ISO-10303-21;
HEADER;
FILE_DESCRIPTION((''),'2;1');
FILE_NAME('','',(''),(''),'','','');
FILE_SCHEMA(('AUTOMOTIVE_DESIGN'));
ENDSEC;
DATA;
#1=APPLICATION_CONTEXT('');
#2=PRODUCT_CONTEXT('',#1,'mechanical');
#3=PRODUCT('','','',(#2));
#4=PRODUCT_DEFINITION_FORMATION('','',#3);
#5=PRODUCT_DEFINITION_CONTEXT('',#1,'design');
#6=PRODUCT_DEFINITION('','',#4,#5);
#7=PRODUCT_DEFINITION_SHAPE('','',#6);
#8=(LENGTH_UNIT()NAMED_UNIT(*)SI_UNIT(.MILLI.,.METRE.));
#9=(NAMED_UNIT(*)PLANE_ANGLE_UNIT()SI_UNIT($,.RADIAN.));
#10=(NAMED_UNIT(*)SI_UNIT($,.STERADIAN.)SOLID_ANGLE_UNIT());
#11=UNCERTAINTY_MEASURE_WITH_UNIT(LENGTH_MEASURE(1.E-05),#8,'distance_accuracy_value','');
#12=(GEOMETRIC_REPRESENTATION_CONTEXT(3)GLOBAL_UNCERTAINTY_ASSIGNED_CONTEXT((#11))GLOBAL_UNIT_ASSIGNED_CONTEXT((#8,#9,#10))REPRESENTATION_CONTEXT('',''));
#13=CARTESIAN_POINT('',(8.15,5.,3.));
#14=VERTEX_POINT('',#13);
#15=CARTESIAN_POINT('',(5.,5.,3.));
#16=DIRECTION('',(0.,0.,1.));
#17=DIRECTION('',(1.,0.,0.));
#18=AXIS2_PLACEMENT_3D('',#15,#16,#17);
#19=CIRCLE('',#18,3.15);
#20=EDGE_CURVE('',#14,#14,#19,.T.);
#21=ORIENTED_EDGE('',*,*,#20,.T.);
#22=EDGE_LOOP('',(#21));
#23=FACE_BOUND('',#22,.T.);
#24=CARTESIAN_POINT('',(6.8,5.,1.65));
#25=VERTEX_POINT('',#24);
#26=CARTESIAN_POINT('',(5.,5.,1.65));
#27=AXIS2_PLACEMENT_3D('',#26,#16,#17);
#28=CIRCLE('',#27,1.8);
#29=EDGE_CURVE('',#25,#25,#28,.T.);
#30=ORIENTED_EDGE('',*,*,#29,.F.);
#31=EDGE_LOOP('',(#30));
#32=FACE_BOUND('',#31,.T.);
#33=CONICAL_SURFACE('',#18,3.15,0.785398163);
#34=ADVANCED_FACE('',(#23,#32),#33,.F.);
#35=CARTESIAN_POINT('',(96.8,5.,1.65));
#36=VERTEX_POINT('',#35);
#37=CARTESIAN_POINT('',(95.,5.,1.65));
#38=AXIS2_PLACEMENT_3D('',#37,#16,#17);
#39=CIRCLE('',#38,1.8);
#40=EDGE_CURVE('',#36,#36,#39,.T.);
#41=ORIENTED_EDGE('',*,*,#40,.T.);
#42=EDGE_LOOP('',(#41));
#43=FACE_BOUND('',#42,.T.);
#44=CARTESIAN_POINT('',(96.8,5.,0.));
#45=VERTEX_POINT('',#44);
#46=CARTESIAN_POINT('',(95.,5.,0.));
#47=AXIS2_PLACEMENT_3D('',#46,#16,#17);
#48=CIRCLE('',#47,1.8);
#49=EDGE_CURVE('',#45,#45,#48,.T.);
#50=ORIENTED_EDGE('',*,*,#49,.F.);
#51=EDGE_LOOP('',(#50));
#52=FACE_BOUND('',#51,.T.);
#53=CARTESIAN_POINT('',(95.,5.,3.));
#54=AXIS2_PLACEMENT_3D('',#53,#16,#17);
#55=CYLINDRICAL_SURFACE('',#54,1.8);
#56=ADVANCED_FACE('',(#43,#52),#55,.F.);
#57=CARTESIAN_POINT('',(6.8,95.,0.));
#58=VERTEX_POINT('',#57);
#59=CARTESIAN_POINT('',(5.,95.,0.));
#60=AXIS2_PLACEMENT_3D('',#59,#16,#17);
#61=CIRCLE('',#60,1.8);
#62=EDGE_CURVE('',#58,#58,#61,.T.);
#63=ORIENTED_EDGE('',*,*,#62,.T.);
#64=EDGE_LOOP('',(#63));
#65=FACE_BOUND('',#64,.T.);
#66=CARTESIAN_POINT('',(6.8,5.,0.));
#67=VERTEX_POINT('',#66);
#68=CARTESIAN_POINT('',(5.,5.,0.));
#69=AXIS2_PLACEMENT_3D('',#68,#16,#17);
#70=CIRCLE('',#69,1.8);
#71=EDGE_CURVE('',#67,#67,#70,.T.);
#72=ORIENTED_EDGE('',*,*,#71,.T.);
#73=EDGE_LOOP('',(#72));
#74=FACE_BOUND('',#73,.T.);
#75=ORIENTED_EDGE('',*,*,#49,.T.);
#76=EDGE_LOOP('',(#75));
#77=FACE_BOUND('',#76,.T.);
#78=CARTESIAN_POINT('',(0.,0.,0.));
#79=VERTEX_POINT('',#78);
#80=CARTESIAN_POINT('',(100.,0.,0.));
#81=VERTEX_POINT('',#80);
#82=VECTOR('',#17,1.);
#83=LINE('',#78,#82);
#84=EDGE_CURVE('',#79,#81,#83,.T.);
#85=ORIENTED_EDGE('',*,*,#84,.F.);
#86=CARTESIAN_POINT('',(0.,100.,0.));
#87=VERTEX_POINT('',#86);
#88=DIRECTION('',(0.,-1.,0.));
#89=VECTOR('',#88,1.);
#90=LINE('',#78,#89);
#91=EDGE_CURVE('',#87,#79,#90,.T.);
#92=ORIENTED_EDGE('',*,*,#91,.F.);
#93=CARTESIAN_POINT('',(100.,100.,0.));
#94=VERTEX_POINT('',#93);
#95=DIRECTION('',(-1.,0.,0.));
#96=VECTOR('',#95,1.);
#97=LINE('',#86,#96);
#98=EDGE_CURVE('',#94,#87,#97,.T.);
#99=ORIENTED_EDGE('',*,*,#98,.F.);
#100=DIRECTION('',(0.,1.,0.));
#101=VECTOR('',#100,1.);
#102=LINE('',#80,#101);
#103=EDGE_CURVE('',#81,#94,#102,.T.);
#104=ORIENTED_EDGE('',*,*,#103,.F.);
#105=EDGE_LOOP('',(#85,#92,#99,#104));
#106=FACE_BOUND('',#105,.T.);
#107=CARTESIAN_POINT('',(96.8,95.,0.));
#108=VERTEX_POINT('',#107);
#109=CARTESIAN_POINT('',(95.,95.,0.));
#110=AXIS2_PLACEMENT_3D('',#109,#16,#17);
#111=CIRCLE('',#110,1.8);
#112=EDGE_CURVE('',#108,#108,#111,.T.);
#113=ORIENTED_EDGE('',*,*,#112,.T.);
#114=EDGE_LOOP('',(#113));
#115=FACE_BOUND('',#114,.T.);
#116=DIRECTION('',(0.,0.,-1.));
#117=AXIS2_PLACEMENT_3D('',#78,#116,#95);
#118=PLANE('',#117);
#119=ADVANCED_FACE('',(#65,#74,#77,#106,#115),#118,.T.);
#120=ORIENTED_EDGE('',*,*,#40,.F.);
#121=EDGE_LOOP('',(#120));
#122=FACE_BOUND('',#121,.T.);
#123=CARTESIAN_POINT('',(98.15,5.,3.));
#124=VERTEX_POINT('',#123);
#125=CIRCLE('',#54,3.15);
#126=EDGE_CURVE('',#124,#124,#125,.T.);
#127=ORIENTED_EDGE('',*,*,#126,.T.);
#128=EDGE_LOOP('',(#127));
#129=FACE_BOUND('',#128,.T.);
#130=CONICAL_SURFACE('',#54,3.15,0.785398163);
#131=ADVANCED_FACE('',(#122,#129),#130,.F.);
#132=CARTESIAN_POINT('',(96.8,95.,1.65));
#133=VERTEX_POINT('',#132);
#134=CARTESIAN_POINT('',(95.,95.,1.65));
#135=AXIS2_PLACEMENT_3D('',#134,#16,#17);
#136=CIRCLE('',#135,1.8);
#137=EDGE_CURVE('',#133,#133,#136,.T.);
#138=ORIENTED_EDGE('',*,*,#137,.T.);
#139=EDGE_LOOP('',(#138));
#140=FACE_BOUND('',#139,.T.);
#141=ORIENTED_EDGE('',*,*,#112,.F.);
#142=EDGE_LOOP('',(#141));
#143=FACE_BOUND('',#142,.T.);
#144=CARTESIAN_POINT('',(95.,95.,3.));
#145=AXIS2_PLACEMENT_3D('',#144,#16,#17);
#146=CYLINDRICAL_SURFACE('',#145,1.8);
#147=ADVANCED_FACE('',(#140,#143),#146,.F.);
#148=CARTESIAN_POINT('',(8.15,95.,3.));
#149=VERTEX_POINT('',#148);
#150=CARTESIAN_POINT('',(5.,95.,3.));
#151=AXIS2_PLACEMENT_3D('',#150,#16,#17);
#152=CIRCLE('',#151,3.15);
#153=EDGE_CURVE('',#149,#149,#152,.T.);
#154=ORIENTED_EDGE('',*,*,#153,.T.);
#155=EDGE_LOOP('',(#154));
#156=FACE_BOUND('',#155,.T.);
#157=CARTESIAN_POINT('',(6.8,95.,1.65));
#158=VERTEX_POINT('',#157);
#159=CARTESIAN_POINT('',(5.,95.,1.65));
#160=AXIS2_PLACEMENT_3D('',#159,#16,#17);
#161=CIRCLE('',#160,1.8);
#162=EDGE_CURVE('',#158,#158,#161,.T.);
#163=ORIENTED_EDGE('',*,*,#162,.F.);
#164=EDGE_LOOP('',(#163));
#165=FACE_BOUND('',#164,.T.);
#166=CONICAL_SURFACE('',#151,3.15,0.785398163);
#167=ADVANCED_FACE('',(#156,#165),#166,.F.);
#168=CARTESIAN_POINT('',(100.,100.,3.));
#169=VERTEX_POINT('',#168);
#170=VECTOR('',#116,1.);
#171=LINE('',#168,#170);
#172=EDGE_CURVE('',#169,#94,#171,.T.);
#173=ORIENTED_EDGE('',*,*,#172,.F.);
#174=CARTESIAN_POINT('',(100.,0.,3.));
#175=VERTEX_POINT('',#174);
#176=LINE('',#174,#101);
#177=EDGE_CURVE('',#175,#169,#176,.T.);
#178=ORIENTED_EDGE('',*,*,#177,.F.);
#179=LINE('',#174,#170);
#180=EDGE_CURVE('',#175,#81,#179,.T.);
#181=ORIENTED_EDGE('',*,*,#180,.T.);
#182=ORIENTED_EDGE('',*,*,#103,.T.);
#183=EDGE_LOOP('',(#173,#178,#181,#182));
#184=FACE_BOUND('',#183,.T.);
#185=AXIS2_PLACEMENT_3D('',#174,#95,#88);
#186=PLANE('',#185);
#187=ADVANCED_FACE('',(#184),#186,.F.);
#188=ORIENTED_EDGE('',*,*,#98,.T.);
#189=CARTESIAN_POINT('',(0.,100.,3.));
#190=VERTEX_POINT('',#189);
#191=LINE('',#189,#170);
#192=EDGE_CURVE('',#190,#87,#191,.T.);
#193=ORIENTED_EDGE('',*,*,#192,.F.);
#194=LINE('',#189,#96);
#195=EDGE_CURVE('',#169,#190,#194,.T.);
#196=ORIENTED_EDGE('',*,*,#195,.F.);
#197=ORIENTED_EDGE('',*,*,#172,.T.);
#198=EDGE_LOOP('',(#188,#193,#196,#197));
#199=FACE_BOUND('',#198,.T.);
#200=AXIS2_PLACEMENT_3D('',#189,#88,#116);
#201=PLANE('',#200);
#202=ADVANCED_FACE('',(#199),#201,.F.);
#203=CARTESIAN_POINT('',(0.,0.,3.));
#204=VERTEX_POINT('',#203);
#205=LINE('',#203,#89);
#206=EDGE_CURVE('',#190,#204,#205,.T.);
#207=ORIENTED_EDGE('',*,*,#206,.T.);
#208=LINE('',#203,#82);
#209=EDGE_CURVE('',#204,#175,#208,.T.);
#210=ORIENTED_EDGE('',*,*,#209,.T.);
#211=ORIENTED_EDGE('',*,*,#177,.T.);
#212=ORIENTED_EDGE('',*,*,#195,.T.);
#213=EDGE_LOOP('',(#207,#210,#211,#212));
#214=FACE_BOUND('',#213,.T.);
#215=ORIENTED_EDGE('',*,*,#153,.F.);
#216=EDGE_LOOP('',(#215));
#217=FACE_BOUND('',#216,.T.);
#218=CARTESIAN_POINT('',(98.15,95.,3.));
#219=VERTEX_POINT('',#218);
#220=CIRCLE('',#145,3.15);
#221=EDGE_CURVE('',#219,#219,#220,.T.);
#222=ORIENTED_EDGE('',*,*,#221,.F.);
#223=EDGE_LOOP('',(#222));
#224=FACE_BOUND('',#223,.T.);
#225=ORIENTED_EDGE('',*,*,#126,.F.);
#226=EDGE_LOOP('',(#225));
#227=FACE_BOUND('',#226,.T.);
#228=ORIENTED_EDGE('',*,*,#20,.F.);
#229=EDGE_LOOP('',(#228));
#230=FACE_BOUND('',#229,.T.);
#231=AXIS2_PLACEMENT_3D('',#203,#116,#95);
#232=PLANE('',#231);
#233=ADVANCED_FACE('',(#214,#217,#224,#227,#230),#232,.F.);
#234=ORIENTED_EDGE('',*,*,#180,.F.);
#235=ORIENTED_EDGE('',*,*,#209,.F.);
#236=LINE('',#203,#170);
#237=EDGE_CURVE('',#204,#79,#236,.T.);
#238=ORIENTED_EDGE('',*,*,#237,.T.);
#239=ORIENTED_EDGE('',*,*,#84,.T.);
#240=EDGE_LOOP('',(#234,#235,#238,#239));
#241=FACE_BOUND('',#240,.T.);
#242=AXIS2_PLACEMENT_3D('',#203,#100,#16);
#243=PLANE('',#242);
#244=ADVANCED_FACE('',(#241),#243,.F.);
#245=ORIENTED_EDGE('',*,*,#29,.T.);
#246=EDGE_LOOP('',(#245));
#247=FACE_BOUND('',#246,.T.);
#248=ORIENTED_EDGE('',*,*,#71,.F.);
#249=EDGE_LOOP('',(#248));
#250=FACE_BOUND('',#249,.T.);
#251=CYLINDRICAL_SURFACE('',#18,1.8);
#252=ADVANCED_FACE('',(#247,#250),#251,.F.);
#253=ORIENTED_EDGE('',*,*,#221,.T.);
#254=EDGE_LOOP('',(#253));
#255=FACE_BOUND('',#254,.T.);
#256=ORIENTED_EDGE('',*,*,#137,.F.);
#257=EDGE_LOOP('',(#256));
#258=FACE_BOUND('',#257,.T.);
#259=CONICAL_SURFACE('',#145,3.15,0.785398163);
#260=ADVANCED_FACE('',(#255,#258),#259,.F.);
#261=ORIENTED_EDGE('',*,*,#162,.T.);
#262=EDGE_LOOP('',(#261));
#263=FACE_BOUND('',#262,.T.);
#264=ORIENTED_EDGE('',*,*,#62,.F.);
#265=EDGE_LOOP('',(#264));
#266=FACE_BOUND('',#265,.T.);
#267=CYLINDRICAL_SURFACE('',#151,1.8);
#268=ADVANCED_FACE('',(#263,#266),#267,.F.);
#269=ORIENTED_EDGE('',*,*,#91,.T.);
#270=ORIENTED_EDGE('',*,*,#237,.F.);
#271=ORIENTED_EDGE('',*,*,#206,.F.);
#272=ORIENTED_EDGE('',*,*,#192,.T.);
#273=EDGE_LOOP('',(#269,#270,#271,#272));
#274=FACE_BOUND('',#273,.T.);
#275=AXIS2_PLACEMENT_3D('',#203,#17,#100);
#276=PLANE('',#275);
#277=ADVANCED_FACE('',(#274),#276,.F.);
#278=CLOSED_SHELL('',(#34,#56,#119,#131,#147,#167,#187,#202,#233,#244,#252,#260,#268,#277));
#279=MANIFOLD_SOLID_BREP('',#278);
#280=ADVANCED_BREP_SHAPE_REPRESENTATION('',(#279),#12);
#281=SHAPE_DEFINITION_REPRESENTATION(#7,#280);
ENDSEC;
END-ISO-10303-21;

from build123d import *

# Parameters (mm, degrees)
ESQUISSE1_W                                 = 100
ESQUISSE1_H                                 = 100
BOSS_EXTRU_1_DEPTH                          = 3
FRAISAGE_POUR_VIS_T_TE_FRAIS_E_M31_AT_COUNT = 2
FRAISAGE_POUR_VIS_T_TE_FRAIS_E_M31_AT_PITCH = 90
FRAISAGE_POUR_VIS_T_TE_FRAIS_E_M31_2_COUNT  = 2
FRAISAGE_POUR_VIS_T_TE_FRAIS_E_M31_2_PITCH  = 127.279220614
FRAISAGE_POUR_VIS_T_TE_FRAIS_E_M31_3_COUNT  = 2
FRAISAGE_POUR_VIS_T_TE_FRAIS_E_M31_3_PITCH  = 90


with BuildPart() as part:
    # Esquisse1 → Boss.-Extru.1 (new body)
    with BuildSketch(Plane.XY):
        with Locations((50, 50)):
            Rectangle(ESQUISSE1_W, ESQUISSE1_H)
    extrude(amount=BOSS_EXTRU_1_DEPTH)

    # Esquisse3 → Fraisage pour vis à tête fraisée M31 (revolve, cut)
    with BuildSketch(Plane(origin=(5, 95, 3), x_dir=(0, -1, 0), z_dir=(1, 0, 0))):
        Polygon((0, 0), (0, 3), (1.8, 3), (1.8, 1.35), (3.15, 0), align=None)
    fraisage_pour_vis_t_te_frais_e_m31 = revolve(axis=Axis((5, 95, 9.35), (0, 0, -1)), mode=Mode.SUBTRACT)

    # Fraisage pour vis à tête fraisée M31 at: Fraisage pour vis à tête fraisée M31 ×2
    with Locations(*[(i * FRAISAGE_POUR_VIS_T_TE_FRAIS_E_M31_AT_PITCH, 0, 0) for i in range(1, FRAISAGE_POUR_VIS_T_TE_FRAIS_E_M31_AT_COUNT)]):
        add(fraisage_pour_vis_t_te_frais_e_m31, mode=Mode.SUBTRACT)

    # Fraisage pour vis _ t_te frais_e M31 2: Fraisage pour vis à tête fraisée M31 ×2
    with Locations(*[Vector(0.707106781, -0.707106781, 0) * (i * FRAISAGE_POUR_VIS_T_TE_FRAIS_E_M31_2_PITCH) for i in range(1, FRAISAGE_POUR_VIS_T_TE_FRAIS_E_M31_2_COUNT)]):
        add(fraisage_pour_vis_t_te_frais_e_m31, mode=Mode.SUBTRACT)

    # Fraisage pour vis _ t_te frais_e M31 3: Fraisage pour vis à tête fraisée M31 ×2
    with Locations(*[(0, -i * FRAISAGE_POUR_VIS_T_TE_FRAIS_E_M31_3_PITCH, 0) for i in range(1, FRAISAGE_POUR_VIS_T_TE_FRAIS_E_M31_3_COUNT)]):
        add(fraisage_pour_vis_t_te_frais_e_m31, mode=Mode.SUBTRACT)


solid = part.part
